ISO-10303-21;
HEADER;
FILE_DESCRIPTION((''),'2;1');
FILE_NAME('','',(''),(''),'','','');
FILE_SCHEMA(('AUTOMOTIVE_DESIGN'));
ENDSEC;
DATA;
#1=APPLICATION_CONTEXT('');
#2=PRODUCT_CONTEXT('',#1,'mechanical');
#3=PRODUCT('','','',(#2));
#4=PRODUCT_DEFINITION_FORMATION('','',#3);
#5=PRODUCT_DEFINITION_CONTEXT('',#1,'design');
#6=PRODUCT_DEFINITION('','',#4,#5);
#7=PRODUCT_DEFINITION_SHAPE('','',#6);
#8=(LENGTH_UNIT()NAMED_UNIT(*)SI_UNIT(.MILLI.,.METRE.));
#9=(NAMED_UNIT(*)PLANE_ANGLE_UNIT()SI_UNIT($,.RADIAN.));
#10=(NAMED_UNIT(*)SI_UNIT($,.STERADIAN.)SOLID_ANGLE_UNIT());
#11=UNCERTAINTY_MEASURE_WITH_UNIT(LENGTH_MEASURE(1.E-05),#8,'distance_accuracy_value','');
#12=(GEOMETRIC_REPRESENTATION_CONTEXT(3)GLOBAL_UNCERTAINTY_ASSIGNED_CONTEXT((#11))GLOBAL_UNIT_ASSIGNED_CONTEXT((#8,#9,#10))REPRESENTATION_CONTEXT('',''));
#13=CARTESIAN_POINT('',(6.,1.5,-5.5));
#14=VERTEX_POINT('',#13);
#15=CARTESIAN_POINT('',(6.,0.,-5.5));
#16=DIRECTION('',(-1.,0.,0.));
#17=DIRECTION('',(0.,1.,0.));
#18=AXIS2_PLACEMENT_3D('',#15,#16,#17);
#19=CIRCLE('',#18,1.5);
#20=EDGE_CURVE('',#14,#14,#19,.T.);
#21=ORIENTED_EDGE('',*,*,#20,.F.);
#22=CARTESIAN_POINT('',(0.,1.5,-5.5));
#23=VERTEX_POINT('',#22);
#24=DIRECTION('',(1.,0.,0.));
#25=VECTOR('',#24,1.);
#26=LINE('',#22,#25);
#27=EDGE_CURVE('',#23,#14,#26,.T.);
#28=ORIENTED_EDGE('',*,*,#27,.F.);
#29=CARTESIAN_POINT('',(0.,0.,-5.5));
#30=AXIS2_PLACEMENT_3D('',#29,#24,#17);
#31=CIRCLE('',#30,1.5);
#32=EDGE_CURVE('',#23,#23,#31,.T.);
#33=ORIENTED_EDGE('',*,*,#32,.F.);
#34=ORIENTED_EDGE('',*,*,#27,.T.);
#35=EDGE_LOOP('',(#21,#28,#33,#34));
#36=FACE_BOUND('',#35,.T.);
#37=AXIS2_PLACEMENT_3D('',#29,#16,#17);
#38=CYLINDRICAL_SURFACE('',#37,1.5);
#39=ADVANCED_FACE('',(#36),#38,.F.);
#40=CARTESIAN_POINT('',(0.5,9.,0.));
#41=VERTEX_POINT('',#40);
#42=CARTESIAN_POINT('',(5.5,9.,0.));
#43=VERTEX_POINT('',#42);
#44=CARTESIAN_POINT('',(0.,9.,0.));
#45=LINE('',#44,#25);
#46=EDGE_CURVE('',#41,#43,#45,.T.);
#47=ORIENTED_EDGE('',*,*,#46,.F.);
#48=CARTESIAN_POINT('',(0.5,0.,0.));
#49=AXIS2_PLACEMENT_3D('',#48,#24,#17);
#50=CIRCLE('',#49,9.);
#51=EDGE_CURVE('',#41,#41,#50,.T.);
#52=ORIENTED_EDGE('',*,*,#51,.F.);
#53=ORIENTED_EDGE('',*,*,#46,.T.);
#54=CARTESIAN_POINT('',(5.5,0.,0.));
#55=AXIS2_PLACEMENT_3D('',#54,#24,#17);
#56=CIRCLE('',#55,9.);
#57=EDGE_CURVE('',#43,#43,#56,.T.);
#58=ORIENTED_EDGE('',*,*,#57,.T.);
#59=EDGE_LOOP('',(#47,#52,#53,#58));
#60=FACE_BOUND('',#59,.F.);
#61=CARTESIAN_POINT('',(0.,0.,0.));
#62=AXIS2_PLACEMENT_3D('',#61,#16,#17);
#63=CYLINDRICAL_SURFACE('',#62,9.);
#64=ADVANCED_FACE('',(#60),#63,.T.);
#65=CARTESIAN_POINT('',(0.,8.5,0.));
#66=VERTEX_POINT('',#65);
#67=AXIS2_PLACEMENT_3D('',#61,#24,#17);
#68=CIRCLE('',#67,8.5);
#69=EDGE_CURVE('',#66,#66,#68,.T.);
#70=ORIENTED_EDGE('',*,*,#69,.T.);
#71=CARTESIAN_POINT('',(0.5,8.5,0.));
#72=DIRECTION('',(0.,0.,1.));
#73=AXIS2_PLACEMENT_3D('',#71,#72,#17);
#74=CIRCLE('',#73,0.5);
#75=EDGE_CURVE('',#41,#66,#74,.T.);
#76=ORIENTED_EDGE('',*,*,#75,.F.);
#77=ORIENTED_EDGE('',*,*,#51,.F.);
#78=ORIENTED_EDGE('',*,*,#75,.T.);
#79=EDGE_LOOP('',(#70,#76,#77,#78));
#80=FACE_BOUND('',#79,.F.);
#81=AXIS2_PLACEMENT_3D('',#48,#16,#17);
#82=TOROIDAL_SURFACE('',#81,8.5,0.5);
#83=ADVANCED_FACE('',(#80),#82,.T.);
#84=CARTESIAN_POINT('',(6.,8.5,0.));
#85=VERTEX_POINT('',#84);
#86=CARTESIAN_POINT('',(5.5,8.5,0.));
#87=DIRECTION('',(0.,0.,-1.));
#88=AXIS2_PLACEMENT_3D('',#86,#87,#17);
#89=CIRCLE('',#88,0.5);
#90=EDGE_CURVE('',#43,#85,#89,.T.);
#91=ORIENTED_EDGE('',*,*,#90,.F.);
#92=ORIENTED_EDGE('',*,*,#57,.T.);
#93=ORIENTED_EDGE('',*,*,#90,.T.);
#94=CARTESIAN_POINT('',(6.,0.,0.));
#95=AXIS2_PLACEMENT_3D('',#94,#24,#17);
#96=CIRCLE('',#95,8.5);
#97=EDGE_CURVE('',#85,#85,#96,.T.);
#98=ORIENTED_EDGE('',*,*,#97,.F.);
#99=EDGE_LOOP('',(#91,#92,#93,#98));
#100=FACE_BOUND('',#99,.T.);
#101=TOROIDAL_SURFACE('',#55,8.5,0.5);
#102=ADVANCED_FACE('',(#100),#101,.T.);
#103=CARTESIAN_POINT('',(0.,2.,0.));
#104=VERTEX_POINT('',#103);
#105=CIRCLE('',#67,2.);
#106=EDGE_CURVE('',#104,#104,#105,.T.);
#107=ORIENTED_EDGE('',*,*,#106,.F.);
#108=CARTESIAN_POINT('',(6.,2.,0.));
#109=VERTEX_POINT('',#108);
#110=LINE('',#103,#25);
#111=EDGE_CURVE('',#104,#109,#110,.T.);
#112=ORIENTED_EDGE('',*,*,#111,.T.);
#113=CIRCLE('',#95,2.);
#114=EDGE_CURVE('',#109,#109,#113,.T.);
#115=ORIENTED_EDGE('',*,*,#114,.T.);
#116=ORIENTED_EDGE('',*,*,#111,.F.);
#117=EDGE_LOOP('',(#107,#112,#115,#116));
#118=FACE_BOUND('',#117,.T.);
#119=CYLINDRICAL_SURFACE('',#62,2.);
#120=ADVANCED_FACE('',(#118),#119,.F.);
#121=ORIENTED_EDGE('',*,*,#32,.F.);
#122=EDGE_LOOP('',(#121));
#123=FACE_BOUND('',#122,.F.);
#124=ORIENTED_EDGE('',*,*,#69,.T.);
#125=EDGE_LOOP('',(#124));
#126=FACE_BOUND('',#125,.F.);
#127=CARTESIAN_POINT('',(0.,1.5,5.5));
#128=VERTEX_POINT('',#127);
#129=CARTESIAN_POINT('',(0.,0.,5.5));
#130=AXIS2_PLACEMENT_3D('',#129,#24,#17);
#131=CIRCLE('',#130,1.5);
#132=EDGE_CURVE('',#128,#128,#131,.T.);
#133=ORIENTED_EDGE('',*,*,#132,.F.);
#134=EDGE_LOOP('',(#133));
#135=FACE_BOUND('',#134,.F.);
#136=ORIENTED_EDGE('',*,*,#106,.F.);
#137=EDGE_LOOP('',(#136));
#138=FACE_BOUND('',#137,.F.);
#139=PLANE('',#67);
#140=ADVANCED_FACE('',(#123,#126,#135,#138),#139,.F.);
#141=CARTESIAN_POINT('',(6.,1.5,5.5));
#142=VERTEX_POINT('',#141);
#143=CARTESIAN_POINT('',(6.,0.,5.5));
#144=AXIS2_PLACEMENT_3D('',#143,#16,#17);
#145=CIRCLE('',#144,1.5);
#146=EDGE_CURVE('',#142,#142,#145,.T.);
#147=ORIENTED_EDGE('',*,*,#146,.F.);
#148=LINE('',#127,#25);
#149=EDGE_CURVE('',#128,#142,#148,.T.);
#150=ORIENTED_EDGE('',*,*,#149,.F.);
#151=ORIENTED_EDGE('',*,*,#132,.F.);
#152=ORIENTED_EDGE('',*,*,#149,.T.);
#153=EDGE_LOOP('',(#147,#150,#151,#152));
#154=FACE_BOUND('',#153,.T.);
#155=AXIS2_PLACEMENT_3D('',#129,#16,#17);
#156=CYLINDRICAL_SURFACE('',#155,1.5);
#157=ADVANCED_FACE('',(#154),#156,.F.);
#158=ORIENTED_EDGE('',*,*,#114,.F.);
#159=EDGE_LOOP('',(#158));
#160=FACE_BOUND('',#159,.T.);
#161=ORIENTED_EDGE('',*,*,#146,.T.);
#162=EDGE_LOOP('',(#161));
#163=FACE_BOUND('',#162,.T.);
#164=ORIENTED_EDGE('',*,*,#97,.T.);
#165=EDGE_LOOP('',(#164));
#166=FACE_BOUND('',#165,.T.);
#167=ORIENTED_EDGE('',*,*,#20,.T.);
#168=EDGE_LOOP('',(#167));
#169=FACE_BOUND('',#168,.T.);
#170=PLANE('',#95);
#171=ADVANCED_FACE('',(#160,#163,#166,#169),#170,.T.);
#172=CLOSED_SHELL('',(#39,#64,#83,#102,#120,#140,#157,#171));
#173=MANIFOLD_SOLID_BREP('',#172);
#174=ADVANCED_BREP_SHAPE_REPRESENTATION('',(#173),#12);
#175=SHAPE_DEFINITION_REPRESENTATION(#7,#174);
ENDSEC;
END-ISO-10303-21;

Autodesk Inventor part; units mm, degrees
ref_plane "YZ Plane" through (0, 0, 0) normal (1, 0, 0) x (0, 1, 0)
ref_plane "XZ Plane" through (0, 0, 0) normal (0, 1, 0) x (-1, 0, 0)
ref_plane "XY Plane" through (0, 0, 0) normal (0, 0, 1) x (1, 0, 0)
sketch "スケッチ1" plane through (0, 0, 0) normal (1, 0, 0) x (0, 1, 0)
  circle A0 centre (0, 0) radius 9
  circle A1 centre (0, 0) radius 2
  circle A2 centre (0, 0) radius 5.5
  circle A3 centre (0, 5.5) radius 1.5
  circle A4 centre (0, -5.5) radius 1.5
  dimension "d0" = 18
  dimension "d1" = 4
  dimension "d2" = 11
  dimension "d3" = 3
  dimension "d4" = 3
extrude "押し出し1" add sketch "スケッチ1" along normal blind 6 contours A0 | A2 A4 A3
fillet "フィレット1" radius 0.5 2 edges at (6, -9, 0) (0, -9, 0)
properties part number "SCSWJ4-6_b" material "アルミニウム 6061"
